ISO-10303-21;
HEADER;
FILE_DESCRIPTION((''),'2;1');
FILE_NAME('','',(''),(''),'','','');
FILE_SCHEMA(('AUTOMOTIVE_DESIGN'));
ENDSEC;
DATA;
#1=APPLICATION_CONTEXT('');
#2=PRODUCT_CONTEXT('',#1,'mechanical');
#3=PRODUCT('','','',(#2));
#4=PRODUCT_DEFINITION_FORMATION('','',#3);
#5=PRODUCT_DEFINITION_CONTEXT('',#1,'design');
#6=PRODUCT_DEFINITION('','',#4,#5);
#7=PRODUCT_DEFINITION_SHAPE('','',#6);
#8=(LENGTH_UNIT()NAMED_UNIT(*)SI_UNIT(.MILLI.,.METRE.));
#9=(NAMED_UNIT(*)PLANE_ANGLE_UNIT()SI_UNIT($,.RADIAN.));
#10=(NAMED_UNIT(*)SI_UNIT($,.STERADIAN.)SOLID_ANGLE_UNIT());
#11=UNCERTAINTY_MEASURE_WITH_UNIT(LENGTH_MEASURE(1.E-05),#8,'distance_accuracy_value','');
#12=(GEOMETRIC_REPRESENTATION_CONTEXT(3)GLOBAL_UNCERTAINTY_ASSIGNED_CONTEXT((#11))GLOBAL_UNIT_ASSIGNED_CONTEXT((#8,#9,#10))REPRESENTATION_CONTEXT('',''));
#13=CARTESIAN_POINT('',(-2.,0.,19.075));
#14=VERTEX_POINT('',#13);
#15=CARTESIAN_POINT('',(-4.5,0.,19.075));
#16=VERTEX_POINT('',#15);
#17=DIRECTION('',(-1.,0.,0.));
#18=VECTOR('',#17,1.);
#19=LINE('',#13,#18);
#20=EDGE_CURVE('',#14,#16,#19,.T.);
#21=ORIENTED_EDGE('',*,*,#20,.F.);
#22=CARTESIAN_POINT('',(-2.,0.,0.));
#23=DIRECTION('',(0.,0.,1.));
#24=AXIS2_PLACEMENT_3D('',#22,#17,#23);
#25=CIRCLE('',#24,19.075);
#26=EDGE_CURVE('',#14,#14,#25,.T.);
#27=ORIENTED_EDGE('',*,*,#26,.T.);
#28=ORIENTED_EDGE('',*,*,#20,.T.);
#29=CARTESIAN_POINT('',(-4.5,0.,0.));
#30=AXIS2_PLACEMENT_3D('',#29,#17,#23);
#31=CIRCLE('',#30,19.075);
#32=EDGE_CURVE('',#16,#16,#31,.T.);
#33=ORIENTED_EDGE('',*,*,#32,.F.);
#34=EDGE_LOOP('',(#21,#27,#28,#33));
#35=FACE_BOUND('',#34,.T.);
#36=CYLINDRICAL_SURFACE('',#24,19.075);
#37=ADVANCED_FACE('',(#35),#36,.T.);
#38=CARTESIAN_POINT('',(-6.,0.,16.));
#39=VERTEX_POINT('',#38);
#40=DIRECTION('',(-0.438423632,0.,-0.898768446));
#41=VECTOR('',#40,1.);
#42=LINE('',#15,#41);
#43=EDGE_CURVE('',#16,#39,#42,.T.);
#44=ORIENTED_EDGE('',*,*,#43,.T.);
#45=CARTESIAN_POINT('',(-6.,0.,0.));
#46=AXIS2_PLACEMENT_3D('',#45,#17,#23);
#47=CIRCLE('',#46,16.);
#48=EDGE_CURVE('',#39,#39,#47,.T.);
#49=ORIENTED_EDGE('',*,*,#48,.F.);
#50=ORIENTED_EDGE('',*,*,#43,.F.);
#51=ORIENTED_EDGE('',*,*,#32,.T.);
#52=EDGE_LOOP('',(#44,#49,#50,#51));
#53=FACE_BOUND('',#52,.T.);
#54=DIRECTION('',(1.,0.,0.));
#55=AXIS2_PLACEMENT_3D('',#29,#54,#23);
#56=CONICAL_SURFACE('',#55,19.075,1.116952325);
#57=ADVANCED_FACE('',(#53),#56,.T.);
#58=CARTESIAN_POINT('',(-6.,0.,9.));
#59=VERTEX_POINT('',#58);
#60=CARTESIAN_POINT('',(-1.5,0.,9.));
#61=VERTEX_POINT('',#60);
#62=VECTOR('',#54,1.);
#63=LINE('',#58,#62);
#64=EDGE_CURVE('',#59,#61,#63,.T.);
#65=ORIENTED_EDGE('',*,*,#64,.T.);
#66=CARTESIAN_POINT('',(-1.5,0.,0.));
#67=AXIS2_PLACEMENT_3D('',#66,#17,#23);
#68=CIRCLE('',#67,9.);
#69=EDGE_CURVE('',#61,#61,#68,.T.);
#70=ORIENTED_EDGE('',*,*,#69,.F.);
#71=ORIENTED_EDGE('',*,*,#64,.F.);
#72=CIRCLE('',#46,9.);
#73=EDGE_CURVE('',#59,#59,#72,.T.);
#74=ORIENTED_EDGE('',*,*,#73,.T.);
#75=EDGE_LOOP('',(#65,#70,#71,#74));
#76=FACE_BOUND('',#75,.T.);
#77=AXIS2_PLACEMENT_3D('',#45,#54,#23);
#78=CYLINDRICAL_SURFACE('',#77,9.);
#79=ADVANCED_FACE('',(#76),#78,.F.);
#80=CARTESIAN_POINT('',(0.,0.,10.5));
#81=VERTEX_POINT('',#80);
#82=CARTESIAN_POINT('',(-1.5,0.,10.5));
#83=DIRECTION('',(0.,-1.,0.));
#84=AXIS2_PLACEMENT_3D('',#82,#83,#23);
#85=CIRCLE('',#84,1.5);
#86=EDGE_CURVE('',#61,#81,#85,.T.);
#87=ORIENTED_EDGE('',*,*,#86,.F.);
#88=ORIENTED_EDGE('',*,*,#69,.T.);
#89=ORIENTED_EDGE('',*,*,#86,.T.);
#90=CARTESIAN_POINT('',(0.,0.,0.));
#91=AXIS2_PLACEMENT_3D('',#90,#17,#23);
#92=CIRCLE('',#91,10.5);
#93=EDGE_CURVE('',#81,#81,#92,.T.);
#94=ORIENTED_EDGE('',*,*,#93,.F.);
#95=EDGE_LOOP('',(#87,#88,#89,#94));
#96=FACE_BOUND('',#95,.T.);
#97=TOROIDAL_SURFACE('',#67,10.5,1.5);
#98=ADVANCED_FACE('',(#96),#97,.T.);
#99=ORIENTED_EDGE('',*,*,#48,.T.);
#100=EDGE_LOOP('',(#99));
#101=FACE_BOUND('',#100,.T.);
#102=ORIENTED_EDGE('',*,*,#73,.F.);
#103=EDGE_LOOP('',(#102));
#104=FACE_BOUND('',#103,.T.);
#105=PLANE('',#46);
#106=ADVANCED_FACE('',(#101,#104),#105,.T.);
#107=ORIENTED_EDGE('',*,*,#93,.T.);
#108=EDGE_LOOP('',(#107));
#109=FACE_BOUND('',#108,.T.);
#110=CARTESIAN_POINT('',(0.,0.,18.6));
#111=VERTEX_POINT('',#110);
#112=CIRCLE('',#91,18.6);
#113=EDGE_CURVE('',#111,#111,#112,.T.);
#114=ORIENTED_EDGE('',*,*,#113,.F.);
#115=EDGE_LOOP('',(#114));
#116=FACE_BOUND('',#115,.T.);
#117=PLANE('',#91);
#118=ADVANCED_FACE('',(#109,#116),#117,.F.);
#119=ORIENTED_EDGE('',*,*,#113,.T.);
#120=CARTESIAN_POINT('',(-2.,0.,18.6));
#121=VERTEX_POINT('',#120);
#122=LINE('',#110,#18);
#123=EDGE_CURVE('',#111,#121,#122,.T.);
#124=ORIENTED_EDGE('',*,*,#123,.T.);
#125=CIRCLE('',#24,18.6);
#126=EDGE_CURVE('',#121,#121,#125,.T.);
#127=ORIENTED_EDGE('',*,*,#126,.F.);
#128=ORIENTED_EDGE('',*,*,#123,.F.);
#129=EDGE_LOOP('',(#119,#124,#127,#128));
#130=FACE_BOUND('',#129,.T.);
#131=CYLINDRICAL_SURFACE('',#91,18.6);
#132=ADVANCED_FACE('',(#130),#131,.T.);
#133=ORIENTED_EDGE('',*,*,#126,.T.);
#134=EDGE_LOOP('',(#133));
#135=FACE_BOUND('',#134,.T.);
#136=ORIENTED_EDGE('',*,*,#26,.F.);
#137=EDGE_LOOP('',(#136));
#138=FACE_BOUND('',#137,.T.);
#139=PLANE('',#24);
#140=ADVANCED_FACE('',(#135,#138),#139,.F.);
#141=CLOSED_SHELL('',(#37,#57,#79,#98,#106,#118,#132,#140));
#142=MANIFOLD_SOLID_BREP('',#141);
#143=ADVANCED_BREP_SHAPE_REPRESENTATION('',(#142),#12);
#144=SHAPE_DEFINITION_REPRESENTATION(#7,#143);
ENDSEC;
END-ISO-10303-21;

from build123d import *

# Parameters (mm, degrees)
F2_R = 1.5


with BuildPart() as f1:
    # F0 (on Front) → F1 (revolve)
    with BuildSketch(Plane.XZ):
        Polygon((-6, 9), (0, 9), (0, 18.6), (-2, 18.6), (-2, 19.075), (-4.5, 19.075), (-6, 16), align=None)
    revolve(axis=Axis((-10.556801, 0, 0), (-1, 0, 0)))

    # F2
    f2_edges = [f1.edges().sort_by_distance(p)[0] for p in [
        (0, 0, -9),
    ]]
    fillet(f2_edges, radius=F2_R)


solid = f1.part
